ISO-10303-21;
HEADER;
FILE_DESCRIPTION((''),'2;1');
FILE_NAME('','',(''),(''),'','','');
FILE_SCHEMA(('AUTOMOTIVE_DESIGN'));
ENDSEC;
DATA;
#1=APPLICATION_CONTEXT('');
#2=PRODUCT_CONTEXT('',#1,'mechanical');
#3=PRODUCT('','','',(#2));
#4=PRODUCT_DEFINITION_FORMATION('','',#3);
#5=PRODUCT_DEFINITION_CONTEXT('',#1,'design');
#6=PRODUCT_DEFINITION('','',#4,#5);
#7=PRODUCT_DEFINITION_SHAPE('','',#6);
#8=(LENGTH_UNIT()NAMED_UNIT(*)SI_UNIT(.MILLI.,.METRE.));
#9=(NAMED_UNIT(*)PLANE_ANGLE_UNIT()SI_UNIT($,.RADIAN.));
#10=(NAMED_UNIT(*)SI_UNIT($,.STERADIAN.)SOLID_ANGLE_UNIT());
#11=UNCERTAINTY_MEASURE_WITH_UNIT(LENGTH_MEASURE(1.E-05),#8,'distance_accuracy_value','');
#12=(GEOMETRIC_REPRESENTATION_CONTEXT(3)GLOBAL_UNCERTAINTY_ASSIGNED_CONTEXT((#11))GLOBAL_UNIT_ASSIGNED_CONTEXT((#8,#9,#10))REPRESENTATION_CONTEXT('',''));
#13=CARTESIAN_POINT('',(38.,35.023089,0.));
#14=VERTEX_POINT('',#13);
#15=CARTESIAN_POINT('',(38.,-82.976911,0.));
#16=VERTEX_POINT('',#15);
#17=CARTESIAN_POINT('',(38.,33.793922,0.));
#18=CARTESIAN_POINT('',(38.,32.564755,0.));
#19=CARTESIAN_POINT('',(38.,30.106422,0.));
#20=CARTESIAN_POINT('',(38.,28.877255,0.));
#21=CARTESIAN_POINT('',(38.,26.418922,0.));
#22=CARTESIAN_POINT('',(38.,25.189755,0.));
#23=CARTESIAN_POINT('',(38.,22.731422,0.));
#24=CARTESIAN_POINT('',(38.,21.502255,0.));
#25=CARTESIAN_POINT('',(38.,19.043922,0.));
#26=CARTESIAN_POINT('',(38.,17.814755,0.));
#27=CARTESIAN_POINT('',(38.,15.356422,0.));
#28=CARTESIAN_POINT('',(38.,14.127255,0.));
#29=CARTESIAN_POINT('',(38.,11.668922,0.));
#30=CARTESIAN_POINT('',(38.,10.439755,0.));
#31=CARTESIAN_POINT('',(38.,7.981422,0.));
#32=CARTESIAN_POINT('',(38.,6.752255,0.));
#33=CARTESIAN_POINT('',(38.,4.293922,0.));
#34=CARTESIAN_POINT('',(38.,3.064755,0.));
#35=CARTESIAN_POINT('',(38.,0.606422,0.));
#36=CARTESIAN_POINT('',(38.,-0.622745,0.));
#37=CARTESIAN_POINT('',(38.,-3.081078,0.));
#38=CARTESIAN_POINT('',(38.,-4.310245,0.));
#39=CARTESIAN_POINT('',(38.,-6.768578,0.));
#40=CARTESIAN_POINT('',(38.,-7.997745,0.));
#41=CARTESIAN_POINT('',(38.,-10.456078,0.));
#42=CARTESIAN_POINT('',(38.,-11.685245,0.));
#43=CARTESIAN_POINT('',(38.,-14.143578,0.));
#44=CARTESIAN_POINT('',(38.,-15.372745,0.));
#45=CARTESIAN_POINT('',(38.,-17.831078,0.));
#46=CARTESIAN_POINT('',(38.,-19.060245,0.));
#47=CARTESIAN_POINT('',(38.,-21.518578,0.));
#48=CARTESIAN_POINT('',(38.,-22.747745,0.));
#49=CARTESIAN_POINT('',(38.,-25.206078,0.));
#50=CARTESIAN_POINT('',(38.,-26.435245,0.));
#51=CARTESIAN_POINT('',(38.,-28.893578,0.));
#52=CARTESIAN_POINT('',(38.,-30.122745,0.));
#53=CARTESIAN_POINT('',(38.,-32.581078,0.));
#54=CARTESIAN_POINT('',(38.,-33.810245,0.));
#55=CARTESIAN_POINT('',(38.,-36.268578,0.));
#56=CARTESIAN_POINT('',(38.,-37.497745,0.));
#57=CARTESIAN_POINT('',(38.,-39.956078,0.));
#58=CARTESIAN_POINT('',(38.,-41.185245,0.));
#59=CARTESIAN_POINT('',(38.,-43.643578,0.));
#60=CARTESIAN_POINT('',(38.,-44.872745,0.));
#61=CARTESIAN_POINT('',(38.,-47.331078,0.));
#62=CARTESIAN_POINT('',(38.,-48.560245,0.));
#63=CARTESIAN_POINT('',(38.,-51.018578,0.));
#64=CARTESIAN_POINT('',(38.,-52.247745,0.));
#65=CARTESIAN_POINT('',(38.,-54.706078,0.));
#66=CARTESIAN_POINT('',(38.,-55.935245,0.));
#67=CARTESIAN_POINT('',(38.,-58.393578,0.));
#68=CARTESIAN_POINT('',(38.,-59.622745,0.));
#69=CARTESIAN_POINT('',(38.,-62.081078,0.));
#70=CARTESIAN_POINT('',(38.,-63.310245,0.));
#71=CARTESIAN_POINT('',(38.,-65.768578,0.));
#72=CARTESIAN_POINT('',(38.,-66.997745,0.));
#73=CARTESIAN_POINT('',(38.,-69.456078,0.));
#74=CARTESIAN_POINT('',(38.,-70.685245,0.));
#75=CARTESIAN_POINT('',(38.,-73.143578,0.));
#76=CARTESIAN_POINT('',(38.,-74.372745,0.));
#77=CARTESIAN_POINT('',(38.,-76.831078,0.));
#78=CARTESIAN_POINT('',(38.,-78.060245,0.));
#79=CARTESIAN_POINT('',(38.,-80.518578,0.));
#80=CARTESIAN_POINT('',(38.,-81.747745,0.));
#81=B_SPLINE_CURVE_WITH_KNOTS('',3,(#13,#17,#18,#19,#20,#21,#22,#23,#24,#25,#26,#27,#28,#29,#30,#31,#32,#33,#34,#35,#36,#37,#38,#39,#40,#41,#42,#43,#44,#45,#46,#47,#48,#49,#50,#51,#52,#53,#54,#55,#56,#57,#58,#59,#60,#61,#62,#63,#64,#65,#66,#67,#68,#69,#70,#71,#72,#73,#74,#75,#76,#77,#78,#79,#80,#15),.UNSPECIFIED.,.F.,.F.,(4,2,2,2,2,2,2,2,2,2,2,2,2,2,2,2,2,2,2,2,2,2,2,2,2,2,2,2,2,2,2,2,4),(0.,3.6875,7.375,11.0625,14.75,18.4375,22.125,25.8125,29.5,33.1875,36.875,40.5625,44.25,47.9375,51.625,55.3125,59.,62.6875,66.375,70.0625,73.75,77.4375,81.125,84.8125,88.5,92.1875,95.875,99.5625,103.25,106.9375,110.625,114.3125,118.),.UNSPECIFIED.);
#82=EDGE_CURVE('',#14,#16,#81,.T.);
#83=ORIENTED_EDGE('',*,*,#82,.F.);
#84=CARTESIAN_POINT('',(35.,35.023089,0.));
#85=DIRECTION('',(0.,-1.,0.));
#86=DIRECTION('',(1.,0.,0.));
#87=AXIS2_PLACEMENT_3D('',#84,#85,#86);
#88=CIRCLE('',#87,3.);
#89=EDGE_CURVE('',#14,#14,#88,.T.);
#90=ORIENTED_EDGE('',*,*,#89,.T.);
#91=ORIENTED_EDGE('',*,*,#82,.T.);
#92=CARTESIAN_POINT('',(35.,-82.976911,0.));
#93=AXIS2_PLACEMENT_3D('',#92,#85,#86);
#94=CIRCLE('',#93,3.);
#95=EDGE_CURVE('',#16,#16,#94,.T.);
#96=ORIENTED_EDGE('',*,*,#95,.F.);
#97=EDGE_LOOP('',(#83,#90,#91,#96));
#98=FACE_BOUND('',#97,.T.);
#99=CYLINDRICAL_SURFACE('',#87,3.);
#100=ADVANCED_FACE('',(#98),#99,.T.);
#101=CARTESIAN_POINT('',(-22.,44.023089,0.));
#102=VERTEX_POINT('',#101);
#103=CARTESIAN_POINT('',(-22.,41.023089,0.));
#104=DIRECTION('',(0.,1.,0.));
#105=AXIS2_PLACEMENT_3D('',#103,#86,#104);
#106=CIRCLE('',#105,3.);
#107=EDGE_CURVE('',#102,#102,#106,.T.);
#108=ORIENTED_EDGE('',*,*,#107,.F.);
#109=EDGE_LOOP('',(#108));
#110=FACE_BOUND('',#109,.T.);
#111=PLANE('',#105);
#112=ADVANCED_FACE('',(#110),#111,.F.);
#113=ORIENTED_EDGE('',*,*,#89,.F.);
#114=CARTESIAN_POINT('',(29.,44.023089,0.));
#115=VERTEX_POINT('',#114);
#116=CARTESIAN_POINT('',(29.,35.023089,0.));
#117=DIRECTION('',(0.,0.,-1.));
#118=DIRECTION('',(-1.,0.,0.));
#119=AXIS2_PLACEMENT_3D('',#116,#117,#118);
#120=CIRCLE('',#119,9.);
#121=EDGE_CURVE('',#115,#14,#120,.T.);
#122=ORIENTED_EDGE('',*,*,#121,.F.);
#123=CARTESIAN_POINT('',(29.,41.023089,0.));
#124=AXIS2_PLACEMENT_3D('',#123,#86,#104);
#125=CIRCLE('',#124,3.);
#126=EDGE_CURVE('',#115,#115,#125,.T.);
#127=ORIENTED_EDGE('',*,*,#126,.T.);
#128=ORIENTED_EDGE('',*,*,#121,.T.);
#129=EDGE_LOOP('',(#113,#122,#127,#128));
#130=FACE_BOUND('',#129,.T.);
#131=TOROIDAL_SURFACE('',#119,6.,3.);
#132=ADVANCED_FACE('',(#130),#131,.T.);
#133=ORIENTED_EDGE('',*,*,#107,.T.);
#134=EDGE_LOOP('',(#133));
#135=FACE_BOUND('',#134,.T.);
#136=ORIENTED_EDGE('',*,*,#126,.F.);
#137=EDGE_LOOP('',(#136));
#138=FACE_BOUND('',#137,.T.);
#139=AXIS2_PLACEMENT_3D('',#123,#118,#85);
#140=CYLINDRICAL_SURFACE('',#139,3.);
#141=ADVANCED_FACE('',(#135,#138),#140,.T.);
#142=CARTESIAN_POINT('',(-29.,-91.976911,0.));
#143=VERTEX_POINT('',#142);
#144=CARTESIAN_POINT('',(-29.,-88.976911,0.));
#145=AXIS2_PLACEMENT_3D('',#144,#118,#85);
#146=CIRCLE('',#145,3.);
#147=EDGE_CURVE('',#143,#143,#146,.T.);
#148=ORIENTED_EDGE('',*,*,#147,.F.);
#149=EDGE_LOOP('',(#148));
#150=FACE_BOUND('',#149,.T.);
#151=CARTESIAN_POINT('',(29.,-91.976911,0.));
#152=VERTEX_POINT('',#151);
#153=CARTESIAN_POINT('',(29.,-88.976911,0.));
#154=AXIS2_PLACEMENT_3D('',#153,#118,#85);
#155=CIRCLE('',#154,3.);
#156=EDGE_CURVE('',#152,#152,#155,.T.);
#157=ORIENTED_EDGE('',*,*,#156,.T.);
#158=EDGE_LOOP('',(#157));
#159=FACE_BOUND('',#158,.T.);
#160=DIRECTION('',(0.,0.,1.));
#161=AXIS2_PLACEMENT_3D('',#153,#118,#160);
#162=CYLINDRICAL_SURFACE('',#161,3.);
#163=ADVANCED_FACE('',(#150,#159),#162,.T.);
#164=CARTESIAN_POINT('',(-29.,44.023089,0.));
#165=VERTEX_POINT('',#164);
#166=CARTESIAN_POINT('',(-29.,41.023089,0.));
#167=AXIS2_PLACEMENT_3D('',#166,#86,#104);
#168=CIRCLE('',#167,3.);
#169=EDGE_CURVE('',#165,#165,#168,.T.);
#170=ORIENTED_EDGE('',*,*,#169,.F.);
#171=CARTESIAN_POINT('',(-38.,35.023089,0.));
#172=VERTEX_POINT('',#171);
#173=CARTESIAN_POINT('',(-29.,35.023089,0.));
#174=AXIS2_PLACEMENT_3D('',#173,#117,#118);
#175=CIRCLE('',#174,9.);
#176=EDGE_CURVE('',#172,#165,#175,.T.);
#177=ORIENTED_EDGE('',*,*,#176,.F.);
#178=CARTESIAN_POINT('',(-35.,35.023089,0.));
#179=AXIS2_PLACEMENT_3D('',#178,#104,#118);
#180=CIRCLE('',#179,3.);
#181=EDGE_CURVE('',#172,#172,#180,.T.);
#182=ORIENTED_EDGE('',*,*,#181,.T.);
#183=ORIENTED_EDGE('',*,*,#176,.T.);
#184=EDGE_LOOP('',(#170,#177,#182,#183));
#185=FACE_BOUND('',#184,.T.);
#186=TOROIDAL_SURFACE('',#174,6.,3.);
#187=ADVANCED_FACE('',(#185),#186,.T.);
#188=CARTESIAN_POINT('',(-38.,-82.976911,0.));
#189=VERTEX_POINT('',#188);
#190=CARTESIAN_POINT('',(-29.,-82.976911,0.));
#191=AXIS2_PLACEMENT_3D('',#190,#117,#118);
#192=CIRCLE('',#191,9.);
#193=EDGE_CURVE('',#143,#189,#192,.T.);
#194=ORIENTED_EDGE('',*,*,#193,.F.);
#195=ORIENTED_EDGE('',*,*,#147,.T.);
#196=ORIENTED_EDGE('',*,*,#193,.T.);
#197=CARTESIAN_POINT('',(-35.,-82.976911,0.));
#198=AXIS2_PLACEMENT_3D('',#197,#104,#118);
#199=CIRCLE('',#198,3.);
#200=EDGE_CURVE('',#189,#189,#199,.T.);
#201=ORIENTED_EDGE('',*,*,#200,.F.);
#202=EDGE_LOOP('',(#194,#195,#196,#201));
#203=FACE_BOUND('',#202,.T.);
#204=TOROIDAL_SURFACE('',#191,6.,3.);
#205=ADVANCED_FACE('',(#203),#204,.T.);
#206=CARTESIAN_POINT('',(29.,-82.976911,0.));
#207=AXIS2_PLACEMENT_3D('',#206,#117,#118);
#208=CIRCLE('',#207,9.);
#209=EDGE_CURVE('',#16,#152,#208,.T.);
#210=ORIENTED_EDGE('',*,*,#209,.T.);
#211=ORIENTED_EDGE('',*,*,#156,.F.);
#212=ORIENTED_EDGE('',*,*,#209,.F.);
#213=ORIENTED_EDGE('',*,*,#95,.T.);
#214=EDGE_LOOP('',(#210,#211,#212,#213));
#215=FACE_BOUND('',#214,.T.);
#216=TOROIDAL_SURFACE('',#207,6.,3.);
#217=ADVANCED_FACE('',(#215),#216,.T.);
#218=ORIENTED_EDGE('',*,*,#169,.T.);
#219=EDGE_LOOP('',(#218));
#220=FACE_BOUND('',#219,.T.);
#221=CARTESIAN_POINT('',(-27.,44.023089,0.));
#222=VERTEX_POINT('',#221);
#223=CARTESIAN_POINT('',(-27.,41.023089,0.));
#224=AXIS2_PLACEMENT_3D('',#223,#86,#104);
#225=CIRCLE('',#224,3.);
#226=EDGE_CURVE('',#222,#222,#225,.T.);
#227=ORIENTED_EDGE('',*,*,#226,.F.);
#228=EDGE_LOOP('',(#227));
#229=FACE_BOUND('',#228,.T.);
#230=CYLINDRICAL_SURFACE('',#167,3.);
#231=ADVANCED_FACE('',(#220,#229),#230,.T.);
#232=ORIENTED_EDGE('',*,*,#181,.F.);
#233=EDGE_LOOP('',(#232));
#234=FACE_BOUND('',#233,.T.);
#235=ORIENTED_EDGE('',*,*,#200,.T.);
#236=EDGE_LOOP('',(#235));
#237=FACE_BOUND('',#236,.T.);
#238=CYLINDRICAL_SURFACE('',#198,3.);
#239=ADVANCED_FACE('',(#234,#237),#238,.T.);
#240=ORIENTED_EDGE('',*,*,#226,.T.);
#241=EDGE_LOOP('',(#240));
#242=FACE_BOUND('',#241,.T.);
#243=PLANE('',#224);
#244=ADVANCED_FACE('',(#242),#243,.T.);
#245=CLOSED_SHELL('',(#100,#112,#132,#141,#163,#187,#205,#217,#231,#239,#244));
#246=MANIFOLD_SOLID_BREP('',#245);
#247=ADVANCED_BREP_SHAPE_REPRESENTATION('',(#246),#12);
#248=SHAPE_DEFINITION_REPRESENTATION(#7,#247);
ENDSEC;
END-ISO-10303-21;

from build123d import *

# Parameters (mm, degrees)
ESBO_O2_R = 3


with BuildPart() as part:
    # Varredura1: sweep along a path in Esboço1
    with BuildLine(Plane.XY) as varredura1_path:
        Line((-22, 41.023088741), (29, 41.023088741))
        ThreePointArc((29, 41.023088741), (33.242640687, 39.265729428), (35, 35.023088741))
        Line((35, 35.023088741), (35, -82.976911259))
        ThreePointArc((35, -82.976911259), (33.242640687, -87.219551946), (29, -88.976911259))
        Line((29, -88.976911259), (-29, -88.976911259))
        ThreePointArc((-29, -88.976911259), (-33.242640687, -87.219551946), (-35, -82.976911259))
        Line((-35, -82.976911259), (-35, 35.023088741))
        ThreePointArc((-35, 35.023088741), (-33.242640687, 39.265729428), (-29, 41.023088741))
        Line((-29, 41.023088741), (-27, 41.023088741))
    # Esboço2 → Varredura1 (sweep)
    with BuildSketch(Plane(origin=(-22, 41.023088741, 0), x_dir=(0, 0, -1), z_dir=(1, 0, 0))):
        Circle(ESBO_O2_R)
    sweep(path=varredura1_path.line)


solid = part.part
